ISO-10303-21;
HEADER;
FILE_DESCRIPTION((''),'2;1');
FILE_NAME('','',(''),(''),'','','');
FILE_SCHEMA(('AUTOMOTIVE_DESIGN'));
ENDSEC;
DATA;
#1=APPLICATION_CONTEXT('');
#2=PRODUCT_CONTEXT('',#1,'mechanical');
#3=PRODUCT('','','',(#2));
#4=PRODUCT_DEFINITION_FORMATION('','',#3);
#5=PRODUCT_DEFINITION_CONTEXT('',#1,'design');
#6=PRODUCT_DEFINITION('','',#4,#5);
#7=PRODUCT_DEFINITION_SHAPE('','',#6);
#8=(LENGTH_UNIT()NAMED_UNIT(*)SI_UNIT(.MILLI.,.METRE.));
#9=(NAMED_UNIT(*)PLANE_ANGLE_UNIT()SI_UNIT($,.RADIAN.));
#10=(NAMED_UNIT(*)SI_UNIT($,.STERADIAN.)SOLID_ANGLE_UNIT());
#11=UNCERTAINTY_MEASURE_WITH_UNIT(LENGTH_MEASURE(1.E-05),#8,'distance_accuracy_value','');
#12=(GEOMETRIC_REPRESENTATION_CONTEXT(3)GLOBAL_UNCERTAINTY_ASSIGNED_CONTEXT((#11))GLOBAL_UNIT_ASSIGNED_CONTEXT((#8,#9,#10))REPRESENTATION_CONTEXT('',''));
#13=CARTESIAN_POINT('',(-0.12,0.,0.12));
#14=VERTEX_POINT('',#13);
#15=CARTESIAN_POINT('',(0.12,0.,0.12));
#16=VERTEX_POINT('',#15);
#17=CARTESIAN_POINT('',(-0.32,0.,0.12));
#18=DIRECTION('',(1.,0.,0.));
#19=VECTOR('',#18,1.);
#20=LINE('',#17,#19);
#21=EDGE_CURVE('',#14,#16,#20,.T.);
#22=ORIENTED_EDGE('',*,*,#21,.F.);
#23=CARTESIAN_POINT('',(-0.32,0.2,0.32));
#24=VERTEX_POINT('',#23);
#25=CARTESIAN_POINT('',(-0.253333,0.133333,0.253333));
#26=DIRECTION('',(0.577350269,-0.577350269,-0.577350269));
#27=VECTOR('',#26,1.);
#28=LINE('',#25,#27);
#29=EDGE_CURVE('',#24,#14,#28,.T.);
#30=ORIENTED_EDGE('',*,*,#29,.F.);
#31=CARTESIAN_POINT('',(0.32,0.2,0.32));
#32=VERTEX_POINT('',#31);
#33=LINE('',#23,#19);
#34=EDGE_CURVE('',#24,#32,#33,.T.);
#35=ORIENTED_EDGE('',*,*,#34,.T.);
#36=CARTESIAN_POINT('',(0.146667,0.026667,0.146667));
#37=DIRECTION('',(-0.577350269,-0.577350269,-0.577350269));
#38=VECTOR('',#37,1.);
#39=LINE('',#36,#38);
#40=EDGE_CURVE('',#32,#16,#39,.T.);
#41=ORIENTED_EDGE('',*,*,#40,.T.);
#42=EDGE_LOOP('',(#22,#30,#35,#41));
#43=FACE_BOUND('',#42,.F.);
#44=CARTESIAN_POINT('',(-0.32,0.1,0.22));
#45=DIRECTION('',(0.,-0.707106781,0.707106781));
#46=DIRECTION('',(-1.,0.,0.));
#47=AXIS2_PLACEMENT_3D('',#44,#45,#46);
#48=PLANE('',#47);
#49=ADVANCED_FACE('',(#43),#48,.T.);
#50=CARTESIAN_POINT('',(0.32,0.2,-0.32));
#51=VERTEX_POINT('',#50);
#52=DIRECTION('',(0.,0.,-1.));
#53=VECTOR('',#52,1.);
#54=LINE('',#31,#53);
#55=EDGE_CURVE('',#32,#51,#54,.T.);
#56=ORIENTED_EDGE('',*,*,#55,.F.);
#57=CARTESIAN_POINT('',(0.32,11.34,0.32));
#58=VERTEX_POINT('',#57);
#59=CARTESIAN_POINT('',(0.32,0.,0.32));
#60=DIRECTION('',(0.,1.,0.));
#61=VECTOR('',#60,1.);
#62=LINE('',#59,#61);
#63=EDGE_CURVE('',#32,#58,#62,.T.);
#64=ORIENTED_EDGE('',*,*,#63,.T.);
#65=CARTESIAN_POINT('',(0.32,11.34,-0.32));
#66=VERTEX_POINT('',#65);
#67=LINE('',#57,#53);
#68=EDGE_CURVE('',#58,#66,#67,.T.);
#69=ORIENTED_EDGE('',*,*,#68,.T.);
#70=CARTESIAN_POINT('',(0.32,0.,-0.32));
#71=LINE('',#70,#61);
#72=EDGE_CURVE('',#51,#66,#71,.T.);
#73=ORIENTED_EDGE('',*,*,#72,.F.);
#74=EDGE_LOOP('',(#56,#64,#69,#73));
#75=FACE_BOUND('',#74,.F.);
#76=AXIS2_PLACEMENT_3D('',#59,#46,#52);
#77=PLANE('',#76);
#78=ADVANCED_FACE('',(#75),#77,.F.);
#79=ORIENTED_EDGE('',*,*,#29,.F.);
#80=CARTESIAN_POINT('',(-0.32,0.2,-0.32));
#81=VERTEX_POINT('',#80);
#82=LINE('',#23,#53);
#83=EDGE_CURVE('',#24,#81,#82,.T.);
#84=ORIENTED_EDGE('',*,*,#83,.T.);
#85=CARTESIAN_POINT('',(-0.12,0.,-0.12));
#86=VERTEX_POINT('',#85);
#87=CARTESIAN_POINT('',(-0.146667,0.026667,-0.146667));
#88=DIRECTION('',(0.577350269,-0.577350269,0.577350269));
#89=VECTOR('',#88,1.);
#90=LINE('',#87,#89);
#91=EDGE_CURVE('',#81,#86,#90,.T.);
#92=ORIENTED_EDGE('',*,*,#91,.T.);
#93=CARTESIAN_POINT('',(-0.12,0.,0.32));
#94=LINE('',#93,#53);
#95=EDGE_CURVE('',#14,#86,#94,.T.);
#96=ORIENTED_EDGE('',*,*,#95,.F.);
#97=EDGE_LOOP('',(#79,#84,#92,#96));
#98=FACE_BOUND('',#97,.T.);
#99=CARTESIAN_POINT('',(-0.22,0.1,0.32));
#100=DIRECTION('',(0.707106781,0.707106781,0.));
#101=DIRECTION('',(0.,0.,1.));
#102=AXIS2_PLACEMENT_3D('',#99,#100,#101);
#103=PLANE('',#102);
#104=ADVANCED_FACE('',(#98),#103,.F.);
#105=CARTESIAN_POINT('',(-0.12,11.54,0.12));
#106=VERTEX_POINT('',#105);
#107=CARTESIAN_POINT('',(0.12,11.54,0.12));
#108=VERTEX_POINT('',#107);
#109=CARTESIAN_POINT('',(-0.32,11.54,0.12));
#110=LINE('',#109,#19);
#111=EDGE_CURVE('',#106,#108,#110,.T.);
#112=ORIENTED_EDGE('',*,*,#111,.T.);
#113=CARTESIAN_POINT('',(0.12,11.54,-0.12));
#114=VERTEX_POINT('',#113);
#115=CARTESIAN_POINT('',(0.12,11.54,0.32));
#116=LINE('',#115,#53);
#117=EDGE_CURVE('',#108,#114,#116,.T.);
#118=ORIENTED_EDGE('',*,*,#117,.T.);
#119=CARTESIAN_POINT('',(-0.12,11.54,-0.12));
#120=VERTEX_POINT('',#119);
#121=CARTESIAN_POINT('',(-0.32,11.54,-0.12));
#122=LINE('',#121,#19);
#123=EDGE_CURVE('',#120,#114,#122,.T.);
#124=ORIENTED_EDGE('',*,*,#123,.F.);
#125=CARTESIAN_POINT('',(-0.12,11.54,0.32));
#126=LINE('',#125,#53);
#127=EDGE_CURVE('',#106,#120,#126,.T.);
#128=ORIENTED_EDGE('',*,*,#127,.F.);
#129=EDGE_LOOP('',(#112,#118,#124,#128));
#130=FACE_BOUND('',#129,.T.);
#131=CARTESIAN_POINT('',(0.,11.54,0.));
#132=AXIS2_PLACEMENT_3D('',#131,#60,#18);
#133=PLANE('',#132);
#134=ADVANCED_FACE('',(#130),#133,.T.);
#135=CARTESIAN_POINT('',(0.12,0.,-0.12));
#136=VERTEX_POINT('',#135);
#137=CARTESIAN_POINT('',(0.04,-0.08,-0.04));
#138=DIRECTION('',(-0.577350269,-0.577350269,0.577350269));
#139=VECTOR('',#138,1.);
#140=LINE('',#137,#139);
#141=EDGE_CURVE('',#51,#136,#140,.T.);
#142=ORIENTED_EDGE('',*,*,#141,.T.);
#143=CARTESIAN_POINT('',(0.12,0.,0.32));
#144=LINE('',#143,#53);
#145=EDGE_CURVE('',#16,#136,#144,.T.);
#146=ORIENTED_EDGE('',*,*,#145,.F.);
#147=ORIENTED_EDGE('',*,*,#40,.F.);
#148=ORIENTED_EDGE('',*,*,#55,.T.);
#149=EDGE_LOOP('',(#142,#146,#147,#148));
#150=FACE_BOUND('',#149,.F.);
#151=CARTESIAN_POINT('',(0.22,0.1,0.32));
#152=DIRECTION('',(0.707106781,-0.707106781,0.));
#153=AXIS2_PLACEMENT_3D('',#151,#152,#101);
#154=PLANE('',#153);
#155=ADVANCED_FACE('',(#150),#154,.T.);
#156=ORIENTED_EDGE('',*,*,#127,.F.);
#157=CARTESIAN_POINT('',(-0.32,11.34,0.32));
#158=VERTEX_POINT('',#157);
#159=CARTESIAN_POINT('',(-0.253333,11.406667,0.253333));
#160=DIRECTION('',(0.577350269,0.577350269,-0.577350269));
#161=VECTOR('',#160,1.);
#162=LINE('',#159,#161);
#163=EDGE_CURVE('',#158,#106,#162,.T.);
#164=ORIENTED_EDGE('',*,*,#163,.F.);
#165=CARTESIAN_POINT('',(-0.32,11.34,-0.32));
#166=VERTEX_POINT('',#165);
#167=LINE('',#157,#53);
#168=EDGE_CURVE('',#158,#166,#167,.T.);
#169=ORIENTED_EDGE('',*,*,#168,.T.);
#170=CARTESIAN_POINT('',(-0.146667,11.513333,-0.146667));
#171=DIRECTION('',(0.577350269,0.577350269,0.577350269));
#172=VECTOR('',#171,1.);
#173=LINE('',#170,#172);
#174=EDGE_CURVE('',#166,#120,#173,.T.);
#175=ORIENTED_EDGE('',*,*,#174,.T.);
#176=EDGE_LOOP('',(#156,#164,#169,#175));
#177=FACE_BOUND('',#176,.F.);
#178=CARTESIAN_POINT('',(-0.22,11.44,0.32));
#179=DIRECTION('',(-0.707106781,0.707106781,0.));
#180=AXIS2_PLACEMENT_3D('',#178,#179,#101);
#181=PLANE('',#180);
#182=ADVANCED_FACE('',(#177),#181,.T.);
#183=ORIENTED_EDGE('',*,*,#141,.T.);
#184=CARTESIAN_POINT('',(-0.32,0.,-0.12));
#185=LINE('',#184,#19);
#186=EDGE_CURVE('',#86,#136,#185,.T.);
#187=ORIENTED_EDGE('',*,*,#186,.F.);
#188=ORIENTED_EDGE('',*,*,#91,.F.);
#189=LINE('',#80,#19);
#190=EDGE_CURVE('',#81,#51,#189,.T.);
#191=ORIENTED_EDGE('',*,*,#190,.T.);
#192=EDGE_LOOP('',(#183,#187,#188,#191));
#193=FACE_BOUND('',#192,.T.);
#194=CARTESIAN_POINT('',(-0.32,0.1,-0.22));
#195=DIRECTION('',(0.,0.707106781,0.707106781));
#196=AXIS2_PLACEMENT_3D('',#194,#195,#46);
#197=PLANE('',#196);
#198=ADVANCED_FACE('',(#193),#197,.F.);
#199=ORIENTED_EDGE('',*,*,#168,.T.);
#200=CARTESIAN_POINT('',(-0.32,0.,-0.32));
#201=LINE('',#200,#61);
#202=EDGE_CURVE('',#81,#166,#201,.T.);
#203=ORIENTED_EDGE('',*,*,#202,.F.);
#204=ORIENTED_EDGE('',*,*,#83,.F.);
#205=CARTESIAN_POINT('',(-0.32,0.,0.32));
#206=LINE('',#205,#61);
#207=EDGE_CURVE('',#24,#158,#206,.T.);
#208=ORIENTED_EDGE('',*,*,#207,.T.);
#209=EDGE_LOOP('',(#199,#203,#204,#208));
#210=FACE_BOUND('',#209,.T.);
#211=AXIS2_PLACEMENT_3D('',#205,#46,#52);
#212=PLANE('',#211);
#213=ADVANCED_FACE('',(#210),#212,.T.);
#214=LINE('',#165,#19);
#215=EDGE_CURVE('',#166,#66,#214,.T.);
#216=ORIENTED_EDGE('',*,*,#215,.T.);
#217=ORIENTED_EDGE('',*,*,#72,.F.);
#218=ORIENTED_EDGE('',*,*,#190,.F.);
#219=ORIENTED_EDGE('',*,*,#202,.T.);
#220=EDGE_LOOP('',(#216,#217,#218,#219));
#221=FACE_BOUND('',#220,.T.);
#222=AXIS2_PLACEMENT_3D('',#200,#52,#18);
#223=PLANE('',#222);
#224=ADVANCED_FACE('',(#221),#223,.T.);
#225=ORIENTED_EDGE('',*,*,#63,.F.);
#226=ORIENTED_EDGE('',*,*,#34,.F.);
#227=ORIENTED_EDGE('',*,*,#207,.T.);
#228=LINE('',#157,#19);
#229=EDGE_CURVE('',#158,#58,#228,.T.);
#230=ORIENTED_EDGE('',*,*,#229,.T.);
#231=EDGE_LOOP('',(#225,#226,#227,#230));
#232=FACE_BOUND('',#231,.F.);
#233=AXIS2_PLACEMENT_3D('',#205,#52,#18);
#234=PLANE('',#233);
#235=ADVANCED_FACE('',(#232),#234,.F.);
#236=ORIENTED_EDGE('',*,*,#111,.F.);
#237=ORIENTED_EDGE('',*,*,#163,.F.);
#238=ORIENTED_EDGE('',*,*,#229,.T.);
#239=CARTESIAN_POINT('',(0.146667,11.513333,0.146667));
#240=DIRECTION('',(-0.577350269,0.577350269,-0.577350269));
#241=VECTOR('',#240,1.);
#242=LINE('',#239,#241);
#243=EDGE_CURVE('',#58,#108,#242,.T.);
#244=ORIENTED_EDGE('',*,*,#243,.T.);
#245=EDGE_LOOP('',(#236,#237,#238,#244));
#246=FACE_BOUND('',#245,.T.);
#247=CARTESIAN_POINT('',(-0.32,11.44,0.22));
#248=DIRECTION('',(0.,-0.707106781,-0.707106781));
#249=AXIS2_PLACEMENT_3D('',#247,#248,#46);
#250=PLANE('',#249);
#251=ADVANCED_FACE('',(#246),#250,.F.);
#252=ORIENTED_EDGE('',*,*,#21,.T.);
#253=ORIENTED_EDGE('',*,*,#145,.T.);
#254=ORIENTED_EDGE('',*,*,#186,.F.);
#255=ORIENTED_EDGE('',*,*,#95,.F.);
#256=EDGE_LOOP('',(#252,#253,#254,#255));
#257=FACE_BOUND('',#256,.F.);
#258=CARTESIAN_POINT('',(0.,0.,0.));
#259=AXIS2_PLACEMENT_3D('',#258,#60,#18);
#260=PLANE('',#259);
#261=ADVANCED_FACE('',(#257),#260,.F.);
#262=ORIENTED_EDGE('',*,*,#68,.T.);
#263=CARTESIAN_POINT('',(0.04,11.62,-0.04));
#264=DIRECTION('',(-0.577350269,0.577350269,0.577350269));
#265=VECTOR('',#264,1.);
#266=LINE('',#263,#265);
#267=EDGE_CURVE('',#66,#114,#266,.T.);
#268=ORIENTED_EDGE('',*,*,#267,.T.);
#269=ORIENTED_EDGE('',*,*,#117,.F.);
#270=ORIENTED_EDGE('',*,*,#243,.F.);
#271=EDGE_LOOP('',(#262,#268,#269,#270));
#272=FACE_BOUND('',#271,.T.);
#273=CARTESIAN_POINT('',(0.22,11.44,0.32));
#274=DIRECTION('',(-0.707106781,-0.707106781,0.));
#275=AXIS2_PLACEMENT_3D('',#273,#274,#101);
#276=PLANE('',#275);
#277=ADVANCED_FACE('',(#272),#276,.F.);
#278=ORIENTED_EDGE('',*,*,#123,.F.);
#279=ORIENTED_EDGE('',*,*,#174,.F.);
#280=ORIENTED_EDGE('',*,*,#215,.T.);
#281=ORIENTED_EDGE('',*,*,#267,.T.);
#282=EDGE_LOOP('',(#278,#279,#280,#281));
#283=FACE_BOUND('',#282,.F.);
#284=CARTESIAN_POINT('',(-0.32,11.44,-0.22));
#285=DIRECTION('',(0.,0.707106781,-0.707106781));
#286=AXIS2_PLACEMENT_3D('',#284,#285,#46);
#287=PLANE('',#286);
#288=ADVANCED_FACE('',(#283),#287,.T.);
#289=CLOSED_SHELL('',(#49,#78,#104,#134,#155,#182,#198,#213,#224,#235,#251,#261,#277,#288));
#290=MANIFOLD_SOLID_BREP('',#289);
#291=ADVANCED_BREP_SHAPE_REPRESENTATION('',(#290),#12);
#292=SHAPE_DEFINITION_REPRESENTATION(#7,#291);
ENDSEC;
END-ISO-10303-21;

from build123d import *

# Parameters (mm, degrees)
SKETCH1_W           = 0.64
SKETCH1_H           = 0.64
BOSS_EXTRUDE1_DEPTH = 11.54
CHAMFER1_SIZE       = 0.2


with BuildPart() as part:
    # Sketch1 → Boss-Extrude1 (new body)
    with BuildSketch(Plane(origin=(0, 0, 0), x_dir=(1, 0, 0), z_dir=(0, 1, 0))):
        Rectangle(SKETCH1_W, SKETCH1_H)
    extrude(amount=BOSS_EXTRUDE1_DEPTH)

    # Chamfer1
    chamfer1_edges = [part.edges().sort_by_distance(p)[0] for p in [
        (0.32, 11.54, 0),
        (0, 11.54, -0.32),
        (-0.32, 11.54, 0),
        (0, 0, -0.32),
        (0.32, 0, 0),
        (0, 0, 0.32),
        (-0.32, 0, 0),
        (0, 11.54, 0.32),
    ]]
    chamfer(chamfer1_edges, length=CHAMFER1_SIZE)


solid = part.part
